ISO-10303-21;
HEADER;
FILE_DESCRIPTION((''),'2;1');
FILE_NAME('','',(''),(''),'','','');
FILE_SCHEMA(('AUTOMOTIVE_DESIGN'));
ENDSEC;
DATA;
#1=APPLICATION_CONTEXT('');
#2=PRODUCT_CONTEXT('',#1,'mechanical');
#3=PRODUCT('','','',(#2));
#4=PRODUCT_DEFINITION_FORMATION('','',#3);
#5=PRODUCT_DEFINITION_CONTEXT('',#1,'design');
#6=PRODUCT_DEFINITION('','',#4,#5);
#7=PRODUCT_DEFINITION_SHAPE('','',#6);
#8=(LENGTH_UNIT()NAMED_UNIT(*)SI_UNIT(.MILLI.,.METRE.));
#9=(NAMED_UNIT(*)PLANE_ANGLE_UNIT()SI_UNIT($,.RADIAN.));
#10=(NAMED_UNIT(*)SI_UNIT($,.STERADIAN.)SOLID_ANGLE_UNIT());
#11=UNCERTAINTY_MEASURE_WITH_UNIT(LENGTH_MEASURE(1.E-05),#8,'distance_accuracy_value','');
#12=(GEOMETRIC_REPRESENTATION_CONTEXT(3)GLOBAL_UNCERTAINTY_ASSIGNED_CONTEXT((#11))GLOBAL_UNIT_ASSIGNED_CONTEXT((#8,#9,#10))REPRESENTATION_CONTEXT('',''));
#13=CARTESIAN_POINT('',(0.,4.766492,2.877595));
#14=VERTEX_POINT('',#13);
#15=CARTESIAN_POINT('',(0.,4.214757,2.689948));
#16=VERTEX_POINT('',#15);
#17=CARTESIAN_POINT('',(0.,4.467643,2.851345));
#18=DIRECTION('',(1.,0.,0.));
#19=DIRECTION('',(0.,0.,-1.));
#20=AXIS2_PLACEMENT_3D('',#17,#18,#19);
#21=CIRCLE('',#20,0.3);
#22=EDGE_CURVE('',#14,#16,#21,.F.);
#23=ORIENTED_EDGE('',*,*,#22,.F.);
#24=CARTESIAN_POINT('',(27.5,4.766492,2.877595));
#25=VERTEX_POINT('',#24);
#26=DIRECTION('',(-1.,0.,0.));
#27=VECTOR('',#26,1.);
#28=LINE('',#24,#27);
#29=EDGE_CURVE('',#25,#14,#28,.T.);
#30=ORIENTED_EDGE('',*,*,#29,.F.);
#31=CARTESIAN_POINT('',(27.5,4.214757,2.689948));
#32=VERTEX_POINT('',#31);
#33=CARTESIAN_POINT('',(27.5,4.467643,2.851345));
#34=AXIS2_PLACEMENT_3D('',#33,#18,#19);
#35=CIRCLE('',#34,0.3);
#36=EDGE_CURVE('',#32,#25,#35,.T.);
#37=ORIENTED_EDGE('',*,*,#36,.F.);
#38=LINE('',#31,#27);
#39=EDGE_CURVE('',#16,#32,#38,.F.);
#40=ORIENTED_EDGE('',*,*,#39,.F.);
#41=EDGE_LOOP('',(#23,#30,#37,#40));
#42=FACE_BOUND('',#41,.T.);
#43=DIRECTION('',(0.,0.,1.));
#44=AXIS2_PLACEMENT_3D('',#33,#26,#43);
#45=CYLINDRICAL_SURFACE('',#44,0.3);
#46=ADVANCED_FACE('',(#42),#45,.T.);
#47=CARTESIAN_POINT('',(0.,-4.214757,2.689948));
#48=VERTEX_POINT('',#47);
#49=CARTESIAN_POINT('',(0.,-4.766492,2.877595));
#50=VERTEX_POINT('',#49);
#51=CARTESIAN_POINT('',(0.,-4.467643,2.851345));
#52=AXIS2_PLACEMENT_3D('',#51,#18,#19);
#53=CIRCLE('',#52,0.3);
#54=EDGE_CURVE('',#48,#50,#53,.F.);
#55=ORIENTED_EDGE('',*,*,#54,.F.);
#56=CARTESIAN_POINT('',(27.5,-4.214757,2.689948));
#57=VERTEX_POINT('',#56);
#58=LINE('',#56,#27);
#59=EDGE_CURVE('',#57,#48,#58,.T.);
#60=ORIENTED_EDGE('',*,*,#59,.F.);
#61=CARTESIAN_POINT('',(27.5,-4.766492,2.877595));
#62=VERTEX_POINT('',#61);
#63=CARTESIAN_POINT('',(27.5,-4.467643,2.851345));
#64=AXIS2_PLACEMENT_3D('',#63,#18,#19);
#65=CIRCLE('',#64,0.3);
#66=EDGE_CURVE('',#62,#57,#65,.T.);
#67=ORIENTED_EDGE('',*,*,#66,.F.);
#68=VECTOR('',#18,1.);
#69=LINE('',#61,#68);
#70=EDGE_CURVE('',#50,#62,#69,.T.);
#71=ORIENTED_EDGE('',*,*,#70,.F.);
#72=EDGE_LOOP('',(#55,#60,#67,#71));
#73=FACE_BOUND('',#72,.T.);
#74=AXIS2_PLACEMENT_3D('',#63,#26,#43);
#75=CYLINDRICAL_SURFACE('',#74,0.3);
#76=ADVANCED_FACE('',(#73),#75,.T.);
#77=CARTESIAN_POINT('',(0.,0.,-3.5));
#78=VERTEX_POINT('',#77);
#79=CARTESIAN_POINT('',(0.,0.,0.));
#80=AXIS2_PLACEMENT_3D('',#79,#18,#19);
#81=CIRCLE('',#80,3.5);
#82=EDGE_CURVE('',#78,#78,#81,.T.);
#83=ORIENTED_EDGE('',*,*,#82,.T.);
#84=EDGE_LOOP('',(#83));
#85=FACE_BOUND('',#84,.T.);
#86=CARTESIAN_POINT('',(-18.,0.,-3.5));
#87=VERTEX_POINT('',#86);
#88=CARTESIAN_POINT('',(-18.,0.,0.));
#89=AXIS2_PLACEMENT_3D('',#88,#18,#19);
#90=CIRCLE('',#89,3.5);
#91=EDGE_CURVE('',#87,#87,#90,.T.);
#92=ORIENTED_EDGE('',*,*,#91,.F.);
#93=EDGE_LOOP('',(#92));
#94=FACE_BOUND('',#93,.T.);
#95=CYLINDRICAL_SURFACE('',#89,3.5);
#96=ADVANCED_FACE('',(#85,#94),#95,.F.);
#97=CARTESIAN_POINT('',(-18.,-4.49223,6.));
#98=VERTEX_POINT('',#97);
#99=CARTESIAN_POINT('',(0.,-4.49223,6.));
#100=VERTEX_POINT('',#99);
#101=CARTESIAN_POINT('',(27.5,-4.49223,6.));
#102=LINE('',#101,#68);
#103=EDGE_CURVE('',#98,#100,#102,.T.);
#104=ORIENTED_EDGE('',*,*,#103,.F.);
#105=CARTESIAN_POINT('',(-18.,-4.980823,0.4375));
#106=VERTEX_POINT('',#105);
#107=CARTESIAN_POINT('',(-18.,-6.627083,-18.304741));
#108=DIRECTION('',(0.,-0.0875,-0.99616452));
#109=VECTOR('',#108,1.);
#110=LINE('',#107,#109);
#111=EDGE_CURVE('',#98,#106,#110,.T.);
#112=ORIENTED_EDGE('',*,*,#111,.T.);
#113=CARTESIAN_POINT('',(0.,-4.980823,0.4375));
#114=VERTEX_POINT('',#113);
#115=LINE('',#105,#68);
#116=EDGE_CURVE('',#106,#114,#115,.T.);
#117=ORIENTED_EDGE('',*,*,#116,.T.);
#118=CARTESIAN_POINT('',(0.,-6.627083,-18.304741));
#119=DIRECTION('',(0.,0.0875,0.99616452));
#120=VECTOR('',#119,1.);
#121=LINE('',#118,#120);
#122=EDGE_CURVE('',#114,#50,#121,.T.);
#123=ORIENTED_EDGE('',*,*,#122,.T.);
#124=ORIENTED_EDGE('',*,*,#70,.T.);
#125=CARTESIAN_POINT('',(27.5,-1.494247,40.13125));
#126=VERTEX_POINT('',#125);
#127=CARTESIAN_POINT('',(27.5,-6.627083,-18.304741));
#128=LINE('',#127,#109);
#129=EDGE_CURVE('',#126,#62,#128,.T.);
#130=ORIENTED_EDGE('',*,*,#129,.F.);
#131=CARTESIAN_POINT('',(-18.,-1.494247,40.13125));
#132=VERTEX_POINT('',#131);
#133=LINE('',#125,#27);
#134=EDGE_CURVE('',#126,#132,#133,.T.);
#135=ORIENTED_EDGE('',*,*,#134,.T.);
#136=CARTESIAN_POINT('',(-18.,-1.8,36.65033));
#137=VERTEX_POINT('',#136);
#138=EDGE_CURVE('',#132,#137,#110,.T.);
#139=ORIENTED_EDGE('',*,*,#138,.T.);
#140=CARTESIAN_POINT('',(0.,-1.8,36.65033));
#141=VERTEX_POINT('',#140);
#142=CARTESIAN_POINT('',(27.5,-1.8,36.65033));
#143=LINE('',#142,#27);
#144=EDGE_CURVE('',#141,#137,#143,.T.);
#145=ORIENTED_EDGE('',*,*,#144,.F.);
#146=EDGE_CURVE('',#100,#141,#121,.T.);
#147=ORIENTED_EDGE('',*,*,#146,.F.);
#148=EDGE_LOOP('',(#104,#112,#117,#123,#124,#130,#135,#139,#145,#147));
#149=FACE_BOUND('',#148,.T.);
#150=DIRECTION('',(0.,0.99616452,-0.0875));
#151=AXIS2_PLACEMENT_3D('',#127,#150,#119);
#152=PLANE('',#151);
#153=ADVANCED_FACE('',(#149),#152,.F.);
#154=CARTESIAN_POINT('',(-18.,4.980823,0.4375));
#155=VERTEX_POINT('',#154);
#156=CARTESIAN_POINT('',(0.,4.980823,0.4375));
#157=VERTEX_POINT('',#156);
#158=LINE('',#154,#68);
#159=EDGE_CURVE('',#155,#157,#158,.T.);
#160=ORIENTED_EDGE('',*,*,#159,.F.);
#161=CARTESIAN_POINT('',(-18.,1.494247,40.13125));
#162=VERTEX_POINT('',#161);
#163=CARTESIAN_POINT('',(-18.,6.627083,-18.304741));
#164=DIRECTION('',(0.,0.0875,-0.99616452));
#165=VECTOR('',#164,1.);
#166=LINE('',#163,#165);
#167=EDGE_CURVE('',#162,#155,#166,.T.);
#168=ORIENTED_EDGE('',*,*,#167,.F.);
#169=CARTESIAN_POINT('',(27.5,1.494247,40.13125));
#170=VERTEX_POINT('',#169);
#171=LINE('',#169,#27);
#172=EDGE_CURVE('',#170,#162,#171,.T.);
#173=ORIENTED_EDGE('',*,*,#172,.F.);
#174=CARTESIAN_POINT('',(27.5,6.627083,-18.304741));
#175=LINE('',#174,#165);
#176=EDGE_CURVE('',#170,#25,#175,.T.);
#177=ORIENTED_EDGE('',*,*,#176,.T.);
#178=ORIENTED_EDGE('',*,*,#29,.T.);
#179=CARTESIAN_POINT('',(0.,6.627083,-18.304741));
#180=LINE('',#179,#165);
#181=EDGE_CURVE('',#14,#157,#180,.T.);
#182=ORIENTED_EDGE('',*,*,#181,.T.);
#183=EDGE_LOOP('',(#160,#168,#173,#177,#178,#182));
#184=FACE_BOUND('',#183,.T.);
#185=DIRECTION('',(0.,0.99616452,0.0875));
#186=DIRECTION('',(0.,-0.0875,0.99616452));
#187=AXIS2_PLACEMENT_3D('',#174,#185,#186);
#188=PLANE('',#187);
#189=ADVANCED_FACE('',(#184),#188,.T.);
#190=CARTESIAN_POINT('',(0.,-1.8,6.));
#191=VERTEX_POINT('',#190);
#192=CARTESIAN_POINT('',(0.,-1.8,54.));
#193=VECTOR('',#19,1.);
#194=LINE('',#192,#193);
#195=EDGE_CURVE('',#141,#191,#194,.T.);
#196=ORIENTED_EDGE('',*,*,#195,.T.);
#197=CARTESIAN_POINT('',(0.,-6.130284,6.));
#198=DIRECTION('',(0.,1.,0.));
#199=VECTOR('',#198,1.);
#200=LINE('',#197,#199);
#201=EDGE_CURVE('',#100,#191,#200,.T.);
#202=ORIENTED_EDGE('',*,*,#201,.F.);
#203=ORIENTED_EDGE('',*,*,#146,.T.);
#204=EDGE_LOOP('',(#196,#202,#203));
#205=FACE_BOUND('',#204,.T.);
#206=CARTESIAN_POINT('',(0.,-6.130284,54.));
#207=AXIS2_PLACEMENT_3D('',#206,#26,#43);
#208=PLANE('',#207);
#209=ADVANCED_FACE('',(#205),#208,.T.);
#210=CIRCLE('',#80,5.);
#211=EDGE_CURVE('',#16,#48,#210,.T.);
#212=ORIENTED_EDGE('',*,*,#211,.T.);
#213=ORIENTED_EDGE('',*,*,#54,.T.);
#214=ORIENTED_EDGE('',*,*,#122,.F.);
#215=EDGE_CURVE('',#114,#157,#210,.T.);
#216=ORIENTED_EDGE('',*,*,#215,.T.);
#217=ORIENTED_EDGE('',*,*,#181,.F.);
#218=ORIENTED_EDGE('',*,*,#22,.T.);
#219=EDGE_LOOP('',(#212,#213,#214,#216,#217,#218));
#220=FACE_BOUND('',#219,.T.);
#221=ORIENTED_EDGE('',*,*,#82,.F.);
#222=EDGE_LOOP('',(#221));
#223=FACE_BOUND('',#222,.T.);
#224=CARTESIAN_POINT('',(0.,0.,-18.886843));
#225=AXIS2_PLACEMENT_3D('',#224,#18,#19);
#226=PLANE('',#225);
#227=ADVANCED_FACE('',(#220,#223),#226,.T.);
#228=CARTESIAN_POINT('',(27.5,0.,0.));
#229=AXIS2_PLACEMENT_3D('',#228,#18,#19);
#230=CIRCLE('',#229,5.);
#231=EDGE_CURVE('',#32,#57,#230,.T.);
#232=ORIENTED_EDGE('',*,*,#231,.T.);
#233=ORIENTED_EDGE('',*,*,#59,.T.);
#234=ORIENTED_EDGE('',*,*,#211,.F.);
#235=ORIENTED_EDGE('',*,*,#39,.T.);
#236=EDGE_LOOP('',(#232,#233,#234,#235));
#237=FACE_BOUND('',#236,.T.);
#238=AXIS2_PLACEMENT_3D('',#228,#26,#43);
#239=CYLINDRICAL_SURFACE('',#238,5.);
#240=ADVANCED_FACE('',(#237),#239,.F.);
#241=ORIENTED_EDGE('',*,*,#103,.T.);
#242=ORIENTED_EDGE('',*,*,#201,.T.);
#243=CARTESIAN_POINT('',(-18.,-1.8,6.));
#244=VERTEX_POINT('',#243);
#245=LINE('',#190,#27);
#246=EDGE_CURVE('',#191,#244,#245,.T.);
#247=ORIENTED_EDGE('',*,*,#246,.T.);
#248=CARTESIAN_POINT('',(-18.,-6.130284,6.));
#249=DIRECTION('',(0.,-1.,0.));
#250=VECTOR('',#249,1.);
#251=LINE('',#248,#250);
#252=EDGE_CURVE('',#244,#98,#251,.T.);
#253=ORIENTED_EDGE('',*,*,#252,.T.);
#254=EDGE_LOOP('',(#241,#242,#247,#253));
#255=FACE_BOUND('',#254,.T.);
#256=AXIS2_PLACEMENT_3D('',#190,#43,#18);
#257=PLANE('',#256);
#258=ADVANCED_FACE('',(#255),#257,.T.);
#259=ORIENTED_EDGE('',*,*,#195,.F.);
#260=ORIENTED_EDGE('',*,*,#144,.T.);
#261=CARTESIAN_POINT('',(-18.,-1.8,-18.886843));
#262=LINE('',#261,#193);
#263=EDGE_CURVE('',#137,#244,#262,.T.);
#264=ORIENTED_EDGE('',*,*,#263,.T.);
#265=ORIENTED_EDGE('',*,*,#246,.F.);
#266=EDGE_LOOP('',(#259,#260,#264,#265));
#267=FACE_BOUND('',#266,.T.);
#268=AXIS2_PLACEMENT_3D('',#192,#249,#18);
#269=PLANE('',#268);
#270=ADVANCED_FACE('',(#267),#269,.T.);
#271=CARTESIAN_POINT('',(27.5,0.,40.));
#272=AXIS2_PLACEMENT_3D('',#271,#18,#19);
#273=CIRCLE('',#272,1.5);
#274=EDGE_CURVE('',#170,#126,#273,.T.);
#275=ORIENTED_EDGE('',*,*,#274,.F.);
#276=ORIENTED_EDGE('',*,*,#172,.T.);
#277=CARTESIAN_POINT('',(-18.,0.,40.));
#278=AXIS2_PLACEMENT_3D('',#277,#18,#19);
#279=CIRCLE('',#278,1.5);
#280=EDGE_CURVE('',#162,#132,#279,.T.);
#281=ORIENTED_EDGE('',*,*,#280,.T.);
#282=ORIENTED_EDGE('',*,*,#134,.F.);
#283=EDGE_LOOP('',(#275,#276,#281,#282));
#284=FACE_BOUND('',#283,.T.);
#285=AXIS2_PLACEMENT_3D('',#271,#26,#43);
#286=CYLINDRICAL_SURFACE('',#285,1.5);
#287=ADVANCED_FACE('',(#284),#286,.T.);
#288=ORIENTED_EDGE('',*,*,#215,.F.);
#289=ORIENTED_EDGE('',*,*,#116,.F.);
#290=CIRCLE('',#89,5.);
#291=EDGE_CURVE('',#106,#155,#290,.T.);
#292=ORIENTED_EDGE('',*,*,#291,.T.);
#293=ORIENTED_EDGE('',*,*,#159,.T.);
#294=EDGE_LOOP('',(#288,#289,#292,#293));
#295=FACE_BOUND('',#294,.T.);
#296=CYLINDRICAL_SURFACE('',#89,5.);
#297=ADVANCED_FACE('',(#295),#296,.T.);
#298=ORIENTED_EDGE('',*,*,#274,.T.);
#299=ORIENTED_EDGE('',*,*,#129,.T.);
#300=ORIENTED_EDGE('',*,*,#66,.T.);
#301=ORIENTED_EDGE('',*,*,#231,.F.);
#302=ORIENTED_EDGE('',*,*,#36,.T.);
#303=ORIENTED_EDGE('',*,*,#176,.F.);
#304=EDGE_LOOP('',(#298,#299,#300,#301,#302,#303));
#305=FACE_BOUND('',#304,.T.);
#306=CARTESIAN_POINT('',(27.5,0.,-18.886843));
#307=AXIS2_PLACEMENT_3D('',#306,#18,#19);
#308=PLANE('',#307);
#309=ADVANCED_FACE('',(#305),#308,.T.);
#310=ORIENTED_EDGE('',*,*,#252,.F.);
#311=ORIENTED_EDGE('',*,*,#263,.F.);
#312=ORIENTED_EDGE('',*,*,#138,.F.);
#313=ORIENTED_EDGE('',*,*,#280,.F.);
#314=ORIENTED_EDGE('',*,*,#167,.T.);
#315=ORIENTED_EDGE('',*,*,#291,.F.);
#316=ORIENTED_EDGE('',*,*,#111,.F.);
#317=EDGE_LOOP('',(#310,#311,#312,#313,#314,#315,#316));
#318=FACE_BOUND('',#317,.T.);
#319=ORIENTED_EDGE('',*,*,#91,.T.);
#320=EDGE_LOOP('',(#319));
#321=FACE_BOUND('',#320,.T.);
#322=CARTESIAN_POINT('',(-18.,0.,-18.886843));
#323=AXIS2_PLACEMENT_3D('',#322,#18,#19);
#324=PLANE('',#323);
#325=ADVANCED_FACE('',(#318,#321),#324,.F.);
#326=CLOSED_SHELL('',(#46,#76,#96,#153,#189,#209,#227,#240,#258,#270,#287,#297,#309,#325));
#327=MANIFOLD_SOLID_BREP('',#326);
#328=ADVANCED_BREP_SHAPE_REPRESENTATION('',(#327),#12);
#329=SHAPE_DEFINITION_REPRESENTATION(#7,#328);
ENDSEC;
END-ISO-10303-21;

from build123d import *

# Parameters (mm, degrees)
BOSS_EXTRUDE1_DEPTH = 27.5
BOSS_EXTRUDE2_START = -18
SKETCH1_3_R         = 3.5
BOSS_EXTRUDE2_DEPTH = 18
FILLET1_R           = 0.3
CUT_EXTRUDE1_START  = 6
SKETCH2_W           = 18
SKETCH2_H           = 4.33028374
CUT_EXTRUDE1_DEPTH  = 48


with BuildPart() as part:
    # Sketch1 → Boss-Extrude1 (new body)
    with BuildSketch(Plane(origin=(0, 0, 0), x_dir=(0, 0, -1), z_dir=(1, 0, 0))):
        with BuildLine():
            Line((-0.4375, 4.980822598), (-40.13125, 1.494246779))
            ThreePointArc((-40.13125, 1.494246779), (-41.5, 0), (-40.13125, -1.494246779))
            Line((-40.13125, -1.494246779), (-0.4375, -4.980822598))
            ThreePointArc((-0.4375, -4.980822598), (-5, 0), (-0.4375, 4.980822598))
        make_face()
    extrude(amount=BOSS_EXTRUDE1_DEPTH)

    # Sketch1<3> → Boss-Extrude2 (add)
    with BuildSketch(Plane(origin=(0, 0, 0), x_dir=(0, 0, -1), z_dir=(1, 0, 0)).offset(BOSS_EXTRUDE2_START)):
        with BuildLine():
            Line((-0.4375, 4.980822598), (-40.13125, 1.494246779))
            ThreePointArc((-40.13125, 1.494246779), (-41.5, 0), (-40.13125, -1.494246779))
            Line((-40.13125, -1.494246779), (-0.4375, -4.980822598))
            ThreePointArc((-0.4375, -4.980822598), (5, 0), (-0.4375, 4.980822598))
        make_face()
        Circle(SKETCH1_3_R, mode=Mode.SUBTRACT)
    extrude(amount=BOSS_EXTRUDE2_DEPTH)

    # Fillet1
    fillet1_edges = [part.edges().sort_by_distance(p)[0] for p in [
        (13.75, -4.980822598, 0.4375),
        (13.75, 4.980822598, 0.4375),
    ]]
    fillet(fillet1_edges, radius=FILLET1_R)

    # Sketch2 → Cut-Extrude1 (cut)
    with BuildSketch(Plane.XY.offset(CUT_EXTRUDE1_START)):
        with Locations((-9, -3.96514187)):
            Rectangle(SKETCH2_W, SKETCH2_H)
    extrude(amount=CUT_EXTRUDE1_DEPTH, mode=Mode.SUBTRACT)


solid = part.part
